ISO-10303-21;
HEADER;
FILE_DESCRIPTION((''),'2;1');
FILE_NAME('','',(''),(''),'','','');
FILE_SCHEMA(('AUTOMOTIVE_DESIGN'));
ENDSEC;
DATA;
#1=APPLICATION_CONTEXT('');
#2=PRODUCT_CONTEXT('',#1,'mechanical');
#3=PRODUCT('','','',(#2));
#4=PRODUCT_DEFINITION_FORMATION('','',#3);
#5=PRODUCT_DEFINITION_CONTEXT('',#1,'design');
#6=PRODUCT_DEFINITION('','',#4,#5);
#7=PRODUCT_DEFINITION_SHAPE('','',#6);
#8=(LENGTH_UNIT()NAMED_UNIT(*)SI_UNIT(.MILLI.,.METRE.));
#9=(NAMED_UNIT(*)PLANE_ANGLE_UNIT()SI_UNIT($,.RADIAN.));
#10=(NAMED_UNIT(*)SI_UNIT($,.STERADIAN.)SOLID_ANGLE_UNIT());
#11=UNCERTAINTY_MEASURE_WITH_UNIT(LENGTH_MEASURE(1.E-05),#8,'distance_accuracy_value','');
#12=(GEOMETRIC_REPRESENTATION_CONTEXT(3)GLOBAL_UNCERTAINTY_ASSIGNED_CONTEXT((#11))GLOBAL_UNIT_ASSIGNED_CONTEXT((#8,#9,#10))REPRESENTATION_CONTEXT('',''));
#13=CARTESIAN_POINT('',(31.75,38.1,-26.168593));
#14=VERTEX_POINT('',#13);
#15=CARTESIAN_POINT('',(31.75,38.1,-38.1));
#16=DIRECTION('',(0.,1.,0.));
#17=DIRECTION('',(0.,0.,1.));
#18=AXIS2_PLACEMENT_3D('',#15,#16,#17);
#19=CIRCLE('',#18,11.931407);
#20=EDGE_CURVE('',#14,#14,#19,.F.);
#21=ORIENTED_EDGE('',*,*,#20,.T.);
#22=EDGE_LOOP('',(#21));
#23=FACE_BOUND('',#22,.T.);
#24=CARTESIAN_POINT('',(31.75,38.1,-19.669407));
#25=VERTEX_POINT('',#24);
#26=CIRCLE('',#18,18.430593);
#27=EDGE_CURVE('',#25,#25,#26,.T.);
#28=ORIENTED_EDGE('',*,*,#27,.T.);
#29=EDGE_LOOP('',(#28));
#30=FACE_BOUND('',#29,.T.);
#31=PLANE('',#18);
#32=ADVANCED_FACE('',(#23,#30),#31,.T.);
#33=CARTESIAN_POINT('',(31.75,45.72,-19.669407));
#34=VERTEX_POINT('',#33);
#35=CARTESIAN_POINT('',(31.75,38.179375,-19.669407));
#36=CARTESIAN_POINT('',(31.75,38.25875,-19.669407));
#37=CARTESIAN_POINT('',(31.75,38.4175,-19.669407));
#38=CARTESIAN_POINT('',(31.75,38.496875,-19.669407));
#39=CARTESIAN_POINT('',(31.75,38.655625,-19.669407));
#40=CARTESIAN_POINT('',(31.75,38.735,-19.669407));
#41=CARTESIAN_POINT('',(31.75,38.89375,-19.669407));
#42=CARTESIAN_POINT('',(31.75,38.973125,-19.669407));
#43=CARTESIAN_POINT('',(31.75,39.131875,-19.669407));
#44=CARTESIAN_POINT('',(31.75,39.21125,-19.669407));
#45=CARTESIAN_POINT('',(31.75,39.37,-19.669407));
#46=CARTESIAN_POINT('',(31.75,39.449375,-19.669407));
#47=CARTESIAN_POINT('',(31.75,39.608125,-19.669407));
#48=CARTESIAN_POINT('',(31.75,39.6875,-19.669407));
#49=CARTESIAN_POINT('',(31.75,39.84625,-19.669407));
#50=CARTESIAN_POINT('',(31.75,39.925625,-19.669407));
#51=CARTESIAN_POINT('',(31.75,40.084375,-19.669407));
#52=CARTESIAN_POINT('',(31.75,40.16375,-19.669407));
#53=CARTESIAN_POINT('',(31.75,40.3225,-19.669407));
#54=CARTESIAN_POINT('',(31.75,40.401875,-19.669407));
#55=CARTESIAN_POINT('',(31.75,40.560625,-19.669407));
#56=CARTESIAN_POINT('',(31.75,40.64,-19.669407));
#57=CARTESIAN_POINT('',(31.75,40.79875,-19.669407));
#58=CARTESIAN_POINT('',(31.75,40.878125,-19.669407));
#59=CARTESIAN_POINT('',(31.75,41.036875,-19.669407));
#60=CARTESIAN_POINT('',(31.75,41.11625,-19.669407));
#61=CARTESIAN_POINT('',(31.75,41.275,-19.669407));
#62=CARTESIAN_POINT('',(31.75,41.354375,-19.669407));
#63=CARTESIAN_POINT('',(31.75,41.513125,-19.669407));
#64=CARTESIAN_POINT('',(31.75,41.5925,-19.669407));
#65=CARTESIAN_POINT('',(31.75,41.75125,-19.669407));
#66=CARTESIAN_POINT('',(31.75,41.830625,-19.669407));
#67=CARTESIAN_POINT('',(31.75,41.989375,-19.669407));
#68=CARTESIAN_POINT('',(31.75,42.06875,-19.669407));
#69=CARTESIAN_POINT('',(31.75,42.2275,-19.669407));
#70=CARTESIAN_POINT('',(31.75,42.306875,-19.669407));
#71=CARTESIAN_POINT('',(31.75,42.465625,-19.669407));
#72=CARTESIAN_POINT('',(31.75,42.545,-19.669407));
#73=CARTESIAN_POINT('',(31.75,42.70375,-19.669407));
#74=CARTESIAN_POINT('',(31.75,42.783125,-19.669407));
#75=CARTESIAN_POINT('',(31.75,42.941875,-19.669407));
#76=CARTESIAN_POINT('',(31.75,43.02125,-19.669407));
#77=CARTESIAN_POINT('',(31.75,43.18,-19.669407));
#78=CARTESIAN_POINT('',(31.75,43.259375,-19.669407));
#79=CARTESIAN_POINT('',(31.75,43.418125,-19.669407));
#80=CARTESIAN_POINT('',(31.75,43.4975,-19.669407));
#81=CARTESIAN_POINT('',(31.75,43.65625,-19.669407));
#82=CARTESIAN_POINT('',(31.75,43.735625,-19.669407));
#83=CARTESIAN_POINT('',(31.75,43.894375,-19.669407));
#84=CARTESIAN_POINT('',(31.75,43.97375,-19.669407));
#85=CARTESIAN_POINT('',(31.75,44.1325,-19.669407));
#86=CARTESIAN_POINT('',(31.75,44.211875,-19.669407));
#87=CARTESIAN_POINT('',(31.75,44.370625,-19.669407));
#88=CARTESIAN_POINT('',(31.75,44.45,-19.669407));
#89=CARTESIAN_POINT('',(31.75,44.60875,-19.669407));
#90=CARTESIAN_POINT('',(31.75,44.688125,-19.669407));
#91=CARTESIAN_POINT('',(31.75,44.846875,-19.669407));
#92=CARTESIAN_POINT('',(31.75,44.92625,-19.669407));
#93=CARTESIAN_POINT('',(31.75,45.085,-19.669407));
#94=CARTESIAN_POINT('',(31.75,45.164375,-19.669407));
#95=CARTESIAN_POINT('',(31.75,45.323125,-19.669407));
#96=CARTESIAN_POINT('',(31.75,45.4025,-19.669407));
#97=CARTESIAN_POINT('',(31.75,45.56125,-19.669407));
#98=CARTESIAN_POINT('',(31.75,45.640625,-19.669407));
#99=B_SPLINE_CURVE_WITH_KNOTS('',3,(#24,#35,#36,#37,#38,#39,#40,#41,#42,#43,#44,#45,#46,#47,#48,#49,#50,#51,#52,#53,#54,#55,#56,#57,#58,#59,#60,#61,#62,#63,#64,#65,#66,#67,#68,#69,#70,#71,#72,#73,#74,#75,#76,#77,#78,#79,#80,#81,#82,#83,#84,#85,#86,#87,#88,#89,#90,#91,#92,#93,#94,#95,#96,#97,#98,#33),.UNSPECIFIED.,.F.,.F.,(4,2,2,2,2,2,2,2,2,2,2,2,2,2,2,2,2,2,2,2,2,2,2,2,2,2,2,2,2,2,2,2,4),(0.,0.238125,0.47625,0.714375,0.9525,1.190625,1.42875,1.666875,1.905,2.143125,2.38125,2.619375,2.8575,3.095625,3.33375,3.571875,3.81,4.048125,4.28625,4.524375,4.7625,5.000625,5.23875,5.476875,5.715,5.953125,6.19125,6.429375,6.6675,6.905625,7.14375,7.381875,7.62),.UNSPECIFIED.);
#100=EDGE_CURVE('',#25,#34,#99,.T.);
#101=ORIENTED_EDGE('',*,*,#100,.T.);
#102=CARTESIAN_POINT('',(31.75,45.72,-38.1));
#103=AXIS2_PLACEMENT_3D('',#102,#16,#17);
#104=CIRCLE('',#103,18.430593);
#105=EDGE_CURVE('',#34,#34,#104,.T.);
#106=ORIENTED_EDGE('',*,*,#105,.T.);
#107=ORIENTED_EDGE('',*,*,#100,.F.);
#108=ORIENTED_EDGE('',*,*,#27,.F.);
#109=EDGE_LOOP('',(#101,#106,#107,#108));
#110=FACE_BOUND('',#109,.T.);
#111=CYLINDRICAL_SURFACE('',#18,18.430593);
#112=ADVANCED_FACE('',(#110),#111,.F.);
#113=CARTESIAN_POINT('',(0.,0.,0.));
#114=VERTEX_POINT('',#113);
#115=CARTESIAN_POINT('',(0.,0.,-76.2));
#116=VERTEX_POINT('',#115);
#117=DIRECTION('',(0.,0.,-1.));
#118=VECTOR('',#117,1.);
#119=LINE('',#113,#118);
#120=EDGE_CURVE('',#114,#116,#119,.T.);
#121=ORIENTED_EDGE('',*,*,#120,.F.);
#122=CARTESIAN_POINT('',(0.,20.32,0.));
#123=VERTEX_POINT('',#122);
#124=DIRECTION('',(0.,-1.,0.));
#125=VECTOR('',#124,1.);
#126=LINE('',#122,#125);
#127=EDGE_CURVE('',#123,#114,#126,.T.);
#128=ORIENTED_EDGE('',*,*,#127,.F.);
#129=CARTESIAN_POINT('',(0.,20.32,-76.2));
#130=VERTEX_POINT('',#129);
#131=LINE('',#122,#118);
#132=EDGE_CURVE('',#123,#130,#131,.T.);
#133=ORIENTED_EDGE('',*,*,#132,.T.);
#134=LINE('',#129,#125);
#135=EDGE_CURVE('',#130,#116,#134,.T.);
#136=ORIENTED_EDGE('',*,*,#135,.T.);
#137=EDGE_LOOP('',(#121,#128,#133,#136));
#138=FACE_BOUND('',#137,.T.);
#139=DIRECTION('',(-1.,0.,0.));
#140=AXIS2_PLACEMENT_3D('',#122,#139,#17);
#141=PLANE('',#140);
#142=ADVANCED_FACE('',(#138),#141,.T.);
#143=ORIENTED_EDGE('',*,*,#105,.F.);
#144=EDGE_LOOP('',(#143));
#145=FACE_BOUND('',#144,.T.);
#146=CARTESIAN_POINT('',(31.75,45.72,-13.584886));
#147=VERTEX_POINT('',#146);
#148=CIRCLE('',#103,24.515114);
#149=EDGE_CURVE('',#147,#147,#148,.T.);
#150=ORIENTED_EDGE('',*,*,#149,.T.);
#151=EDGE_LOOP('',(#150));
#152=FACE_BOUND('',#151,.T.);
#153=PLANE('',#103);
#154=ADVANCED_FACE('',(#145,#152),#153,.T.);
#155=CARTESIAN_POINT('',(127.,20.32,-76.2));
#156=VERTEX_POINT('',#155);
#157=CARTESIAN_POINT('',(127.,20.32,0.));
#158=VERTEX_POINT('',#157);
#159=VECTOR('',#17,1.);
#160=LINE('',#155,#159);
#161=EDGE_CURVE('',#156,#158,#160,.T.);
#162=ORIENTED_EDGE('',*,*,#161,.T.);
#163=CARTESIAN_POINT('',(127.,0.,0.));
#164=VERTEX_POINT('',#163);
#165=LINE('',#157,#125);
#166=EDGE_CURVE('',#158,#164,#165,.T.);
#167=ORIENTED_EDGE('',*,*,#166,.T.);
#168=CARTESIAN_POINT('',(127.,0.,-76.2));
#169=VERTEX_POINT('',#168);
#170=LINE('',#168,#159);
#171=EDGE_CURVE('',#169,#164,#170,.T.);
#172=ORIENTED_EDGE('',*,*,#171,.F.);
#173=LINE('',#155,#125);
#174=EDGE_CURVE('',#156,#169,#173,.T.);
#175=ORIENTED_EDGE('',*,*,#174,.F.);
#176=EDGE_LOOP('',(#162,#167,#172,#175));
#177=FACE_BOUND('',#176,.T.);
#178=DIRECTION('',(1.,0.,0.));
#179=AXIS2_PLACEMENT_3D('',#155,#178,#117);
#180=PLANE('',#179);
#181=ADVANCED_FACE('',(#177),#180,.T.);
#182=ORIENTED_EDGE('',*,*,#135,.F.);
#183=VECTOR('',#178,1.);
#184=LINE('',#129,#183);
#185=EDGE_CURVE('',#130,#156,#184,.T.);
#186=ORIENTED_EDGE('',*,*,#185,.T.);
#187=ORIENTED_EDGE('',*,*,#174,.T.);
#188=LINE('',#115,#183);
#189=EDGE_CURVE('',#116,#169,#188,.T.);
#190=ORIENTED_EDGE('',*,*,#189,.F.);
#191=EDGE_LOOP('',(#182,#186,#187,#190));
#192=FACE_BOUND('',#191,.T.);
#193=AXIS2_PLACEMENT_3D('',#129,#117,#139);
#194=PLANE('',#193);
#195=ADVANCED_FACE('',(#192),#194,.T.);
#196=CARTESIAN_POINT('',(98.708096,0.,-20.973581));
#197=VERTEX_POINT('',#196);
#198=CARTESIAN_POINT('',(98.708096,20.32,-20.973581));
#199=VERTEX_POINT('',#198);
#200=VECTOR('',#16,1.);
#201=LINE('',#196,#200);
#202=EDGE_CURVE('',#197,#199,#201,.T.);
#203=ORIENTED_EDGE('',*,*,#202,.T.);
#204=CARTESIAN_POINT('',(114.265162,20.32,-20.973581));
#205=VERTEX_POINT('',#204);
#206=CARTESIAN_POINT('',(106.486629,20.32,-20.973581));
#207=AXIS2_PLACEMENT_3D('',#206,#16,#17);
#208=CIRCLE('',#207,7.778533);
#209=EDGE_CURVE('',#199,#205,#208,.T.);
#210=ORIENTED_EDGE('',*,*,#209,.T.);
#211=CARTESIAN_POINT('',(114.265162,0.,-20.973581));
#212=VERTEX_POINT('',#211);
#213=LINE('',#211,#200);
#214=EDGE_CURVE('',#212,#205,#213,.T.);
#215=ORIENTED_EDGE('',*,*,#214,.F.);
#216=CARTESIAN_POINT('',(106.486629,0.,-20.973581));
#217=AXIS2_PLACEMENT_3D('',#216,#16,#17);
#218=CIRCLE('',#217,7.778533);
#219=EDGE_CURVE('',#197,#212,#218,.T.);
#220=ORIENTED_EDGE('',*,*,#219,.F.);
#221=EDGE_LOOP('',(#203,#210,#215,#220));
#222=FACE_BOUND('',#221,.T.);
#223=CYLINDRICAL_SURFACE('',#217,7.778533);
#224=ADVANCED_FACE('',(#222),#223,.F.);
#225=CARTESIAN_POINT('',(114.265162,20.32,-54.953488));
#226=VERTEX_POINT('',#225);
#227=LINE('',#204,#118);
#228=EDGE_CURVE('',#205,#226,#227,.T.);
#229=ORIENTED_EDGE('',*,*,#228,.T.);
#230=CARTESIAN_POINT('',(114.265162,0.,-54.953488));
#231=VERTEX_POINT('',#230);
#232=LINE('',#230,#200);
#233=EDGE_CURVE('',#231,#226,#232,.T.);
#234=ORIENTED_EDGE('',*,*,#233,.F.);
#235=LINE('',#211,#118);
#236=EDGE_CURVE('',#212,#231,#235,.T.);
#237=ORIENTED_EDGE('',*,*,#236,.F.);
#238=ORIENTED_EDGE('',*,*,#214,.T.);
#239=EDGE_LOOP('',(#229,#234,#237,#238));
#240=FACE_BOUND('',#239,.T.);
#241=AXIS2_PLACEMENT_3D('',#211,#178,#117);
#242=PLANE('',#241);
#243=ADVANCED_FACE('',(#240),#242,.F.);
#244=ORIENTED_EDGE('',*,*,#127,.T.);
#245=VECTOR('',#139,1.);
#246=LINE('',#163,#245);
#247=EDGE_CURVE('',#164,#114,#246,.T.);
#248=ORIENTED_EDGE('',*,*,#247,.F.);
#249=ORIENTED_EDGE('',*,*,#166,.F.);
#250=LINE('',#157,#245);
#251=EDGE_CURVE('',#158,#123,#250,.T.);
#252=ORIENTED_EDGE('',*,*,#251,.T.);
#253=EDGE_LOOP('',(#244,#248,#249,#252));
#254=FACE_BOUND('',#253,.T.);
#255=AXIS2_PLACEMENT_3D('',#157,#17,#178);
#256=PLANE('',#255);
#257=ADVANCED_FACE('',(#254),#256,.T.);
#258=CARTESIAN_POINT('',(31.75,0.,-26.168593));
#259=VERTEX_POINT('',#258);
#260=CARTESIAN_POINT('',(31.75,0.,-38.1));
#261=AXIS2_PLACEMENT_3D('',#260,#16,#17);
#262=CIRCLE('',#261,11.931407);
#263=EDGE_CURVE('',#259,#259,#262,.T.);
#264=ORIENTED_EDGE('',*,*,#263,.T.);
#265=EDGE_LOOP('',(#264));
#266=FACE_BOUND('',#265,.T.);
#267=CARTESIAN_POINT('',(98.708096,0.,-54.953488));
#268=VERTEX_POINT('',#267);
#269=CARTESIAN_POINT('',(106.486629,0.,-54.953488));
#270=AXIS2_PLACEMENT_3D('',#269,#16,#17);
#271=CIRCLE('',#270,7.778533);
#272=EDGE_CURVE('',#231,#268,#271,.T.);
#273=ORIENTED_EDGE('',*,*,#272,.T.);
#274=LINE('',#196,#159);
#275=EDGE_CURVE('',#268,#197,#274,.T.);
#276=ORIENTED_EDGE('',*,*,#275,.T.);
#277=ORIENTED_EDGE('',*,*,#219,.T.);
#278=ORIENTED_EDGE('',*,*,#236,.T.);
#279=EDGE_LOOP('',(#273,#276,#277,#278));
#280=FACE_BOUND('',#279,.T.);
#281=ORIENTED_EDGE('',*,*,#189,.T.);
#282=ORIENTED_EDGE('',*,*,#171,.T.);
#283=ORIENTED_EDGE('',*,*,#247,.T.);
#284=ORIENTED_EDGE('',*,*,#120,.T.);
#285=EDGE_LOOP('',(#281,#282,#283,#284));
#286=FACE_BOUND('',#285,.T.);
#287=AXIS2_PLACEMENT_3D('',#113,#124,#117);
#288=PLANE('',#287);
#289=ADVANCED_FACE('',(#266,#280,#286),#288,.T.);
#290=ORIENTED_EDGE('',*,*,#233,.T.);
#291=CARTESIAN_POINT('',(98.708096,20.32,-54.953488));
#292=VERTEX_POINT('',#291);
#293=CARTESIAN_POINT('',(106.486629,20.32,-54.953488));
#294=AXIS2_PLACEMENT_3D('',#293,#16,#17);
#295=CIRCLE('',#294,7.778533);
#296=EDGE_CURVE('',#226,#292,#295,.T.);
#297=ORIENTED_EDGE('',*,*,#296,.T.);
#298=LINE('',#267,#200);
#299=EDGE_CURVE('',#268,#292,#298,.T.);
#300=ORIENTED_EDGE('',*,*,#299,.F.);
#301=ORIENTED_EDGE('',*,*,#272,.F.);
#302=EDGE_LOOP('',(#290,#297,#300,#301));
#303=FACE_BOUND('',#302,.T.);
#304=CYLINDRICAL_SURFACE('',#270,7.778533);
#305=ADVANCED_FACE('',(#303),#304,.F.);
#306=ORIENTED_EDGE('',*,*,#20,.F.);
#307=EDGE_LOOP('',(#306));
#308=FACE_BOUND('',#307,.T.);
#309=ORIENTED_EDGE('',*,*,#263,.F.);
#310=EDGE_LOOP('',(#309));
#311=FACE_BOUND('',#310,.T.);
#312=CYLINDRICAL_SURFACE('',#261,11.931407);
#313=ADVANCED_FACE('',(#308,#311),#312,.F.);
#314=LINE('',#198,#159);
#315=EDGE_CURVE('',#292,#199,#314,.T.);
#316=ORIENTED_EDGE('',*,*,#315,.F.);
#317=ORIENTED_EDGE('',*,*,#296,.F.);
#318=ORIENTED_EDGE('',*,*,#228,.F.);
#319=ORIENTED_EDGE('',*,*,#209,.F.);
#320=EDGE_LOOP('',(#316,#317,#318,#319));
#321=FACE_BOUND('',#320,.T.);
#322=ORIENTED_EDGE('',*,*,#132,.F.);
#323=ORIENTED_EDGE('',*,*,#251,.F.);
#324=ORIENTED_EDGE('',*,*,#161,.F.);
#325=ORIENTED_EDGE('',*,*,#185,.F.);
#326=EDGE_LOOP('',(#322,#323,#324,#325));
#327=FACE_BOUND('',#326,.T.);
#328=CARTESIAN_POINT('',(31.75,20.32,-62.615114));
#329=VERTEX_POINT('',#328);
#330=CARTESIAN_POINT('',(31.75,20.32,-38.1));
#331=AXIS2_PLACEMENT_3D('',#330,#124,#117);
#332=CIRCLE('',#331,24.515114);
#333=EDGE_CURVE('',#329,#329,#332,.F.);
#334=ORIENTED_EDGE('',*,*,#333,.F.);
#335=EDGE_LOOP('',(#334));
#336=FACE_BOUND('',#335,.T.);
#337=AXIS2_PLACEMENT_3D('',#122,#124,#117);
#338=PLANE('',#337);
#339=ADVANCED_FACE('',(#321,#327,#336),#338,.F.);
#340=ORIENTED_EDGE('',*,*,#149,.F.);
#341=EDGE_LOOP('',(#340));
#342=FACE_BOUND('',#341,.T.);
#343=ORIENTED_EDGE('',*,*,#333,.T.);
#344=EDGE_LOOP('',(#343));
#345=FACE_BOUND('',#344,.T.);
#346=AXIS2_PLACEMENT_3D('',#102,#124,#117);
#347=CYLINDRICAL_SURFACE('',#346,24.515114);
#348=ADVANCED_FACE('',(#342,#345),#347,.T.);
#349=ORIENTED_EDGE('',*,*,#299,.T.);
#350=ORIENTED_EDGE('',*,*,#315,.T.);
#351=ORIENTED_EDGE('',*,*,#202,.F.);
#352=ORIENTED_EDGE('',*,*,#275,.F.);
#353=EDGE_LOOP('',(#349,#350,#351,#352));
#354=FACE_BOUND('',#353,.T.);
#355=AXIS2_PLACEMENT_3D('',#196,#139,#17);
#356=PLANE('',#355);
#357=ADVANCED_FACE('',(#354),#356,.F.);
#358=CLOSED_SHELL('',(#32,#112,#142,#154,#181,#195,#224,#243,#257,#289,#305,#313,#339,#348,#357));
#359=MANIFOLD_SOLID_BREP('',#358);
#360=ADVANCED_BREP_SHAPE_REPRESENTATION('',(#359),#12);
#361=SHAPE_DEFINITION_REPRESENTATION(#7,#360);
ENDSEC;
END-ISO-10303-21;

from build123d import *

# Parameters (mm, degrees)
SKETCH1_W           = 127
SKETCH1_H           = 76.2
BOSS_EXTRUDE1_DEPTH = 20.32
CUT_EXTRUDE2_DEPTH  = 150.493619931
SKETCH4_R           = 24.515114189
BOSS_EXTRUDE2_DEPTH = 25.4
SKETCH5_R           = 11.931407315
CUT_EXTRUDE3_DEPTH  = 156.002446432
SKETCH6_R           = 18.430592643
CUT_EXTRUDE4_DEPTH  = 7.62


with BuildPart() as part:
    # Sketch1 → Boss-Extrude1 (new body)
    with BuildSketch(Plane(origin=(0, 0, 0), x_dir=(1, 0, 0), z_dir=(0, 1, 0))):
        with Locations((63.5, 38.1)):
            Rectangle(SKETCH1_W, SKETCH1_H)
    extrude(amount=BOSS_EXTRUDE1_DEPTH)

    # Sketch2 → Cut-Extrude2 (cut, through all)
    with BuildSketch(Plane(origin=(0, 20.32, 0), x_dir=(1, 0, 0), z_dir=(0, 1, 0))):
        with BuildLine():
            Line((98.708096341, 20.973581043), (98.708096341, 54.953487977))
            ThreePointArc((98.708096341, 54.953487977), (106.486629254, 62.73202089), (114.265162167, 54.953487977))
            Line((114.265162167, 54.953487977), (114.265162167, 20.973581043))
            ThreePointArc((114.265162167, 20.973581043), (106.486629254, 13.195048131), (98.708096341, 20.973581043))
        make_face()
    extrude(amount=-CUT_EXTRUDE2_DEPTH, mode=Mode.SUBTRACT)

    # Sketch4 → Boss-Extrude2 (add)
    with BuildSketch(Plane(origin=(0, 20.32, 0), x_dir=(1, 0, 0), z_dir=(0, 1, 0))):
        with Locations(Location((31.75, 38.1, 0), (0, 0, 90))):
            Circle(SKETCH4_R)
    extrude(amount=BOSS_EXTRUDE2_DEPTH)

    # Sketch5 → Cut-Extrude3 (cut, through all)
    with BuildSketch(Plane(origin=(0, 45.72, 0), x_dir=(1, 0, 0), z_dir=(0, 1, 0))):
        with Locations(Location((31.75, 38.1, 0), (0, 0, 270))):
            Circle(SKETCH5_R)
    extrude(amount=-CUT_EXTRUDE3_DEPTH, mode=Mode.SUBTRACT)

    # Sketch6 → Cut-Extrude4 (cut)
    with BuildSketch(Plane(origin=(0, 45.72, 0), x_dir=(1, 0, 0), z_dir=(0, 1, 0))):
        with Locations(Location((31.75, 38.1, 0), (0, 0, 270))):
            Circle(SKETCH6_R)
    extrude(amount=-CUT_EXTRUDE4_DEPTH, mode=Mode.SUBTRACT)


solid = part.part
